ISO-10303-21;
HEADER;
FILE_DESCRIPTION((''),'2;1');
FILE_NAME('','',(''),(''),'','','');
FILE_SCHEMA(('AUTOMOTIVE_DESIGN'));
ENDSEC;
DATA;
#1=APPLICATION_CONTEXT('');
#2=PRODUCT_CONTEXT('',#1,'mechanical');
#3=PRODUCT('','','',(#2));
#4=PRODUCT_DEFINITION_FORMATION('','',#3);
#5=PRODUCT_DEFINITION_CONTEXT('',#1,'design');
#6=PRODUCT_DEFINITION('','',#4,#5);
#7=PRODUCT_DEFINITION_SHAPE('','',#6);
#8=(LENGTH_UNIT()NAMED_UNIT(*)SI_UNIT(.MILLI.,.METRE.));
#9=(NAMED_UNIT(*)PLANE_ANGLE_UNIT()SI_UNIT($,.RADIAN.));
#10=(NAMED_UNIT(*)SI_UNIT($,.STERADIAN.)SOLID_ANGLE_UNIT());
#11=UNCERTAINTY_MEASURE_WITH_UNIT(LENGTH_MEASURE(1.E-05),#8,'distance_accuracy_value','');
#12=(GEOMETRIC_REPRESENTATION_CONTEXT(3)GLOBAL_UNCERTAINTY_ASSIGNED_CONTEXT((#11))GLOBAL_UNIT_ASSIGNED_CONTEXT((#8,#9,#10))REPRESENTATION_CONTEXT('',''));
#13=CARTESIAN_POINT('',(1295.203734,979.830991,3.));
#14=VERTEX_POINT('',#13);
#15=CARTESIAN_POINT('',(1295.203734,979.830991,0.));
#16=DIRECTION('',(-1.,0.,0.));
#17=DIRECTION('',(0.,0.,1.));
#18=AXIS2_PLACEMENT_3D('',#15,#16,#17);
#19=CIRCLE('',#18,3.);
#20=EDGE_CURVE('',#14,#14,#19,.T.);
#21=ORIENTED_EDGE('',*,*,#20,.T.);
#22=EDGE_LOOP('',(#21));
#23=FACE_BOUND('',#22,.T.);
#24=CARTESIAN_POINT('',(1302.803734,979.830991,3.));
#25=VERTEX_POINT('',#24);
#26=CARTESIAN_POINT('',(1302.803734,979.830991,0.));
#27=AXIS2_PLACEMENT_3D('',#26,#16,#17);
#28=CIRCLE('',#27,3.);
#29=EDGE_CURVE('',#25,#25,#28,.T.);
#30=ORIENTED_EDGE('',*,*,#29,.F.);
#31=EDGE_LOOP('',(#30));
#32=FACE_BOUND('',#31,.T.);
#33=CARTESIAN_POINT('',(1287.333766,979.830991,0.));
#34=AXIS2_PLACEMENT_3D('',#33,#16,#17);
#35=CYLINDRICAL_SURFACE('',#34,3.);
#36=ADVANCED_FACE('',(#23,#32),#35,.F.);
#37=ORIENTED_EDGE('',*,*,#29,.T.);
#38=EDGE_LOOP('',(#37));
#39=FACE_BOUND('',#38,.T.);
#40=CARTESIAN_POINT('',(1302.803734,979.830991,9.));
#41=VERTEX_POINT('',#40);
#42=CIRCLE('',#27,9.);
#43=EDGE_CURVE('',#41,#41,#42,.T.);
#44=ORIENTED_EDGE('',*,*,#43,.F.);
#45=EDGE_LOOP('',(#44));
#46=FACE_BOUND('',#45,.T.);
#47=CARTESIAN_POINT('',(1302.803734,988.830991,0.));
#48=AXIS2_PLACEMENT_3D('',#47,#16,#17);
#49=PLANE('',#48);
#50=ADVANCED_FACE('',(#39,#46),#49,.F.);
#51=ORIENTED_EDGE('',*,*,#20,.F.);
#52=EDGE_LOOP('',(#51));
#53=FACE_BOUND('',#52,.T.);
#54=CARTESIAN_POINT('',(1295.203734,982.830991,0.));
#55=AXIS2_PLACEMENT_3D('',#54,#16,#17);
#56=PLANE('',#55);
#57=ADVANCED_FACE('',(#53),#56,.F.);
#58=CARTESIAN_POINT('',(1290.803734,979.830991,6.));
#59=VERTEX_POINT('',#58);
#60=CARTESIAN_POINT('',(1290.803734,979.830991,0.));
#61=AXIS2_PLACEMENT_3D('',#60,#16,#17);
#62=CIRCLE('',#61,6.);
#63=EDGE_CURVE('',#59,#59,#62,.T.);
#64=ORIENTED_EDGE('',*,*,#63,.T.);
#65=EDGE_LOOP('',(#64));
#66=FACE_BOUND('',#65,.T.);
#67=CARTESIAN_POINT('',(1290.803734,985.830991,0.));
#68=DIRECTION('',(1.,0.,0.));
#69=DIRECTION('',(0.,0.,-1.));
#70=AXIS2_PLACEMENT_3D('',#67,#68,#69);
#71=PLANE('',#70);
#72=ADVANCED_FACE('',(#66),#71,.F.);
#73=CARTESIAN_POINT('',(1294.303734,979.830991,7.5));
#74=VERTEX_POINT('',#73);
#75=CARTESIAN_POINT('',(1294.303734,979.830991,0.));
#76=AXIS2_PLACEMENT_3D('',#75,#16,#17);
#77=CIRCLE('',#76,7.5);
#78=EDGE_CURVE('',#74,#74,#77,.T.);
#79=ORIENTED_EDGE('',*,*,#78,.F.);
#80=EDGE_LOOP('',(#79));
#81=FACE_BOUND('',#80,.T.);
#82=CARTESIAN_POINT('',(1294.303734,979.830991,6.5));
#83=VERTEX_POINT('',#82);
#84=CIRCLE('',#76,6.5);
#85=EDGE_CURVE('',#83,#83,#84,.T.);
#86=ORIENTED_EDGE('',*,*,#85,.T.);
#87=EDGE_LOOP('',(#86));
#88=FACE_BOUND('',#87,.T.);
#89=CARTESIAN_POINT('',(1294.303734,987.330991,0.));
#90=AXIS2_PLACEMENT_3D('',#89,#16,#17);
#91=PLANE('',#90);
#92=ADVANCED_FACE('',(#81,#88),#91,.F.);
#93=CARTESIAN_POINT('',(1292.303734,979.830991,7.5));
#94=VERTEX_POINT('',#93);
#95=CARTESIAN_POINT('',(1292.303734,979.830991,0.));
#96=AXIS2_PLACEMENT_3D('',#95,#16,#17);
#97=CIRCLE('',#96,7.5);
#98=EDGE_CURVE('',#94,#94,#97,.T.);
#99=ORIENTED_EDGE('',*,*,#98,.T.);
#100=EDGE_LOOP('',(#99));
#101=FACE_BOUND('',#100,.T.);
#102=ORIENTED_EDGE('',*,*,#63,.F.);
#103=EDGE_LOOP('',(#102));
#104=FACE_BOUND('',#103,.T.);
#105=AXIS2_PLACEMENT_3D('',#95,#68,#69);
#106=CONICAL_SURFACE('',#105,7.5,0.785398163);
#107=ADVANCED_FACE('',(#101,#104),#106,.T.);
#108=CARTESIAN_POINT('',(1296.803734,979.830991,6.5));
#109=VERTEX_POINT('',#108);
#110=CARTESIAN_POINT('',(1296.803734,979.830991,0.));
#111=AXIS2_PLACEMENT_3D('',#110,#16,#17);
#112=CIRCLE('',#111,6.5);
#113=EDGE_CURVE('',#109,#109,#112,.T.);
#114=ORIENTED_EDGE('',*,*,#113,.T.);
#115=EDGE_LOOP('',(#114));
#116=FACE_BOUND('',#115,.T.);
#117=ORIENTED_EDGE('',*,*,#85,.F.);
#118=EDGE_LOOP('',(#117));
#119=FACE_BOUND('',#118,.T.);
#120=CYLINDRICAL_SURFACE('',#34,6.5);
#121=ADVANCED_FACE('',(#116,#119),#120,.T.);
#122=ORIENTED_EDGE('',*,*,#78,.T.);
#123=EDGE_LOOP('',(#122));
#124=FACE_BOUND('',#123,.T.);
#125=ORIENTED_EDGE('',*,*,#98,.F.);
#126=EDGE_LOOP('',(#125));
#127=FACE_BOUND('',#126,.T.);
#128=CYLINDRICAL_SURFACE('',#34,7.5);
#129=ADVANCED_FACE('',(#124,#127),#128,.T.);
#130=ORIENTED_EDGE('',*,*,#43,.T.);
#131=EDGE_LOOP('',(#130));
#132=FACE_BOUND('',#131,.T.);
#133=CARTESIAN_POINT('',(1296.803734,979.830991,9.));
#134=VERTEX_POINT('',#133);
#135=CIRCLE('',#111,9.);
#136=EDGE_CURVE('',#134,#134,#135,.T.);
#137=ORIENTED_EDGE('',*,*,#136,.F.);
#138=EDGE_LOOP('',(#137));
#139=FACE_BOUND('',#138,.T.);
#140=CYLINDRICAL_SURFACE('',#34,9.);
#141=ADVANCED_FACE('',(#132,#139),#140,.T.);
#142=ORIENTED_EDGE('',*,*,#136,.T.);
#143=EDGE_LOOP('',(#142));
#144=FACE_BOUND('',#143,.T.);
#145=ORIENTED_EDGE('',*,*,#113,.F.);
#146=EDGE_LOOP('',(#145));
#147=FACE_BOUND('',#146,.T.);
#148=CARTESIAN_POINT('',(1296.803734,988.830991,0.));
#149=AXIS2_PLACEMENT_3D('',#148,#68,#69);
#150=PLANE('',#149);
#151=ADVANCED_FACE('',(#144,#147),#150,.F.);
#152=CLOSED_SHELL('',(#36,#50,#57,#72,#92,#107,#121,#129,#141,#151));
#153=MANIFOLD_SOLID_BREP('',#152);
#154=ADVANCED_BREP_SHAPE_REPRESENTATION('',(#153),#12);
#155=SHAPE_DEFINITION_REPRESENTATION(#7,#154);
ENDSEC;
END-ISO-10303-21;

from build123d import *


with BuildPart() as part:
    # 草图1 → 旋转1 (revolve)
    with BuildSketch(Plane.XY, mode=Mode.PRIVATE) as revolve_1_sk:
        Polygon((1295.203733545, 982.830990537), (1295.203733545, 979.830990537), (1290.803733545, 979.830990537), (1290.803733545, 985.830990537), (1292.303733545, 987.330990537), (1294.303733545, 987.330990537), (1294.303733545, 986.330990537), (1296.803733545, 986.330990537), (1296.803733545, 988.830990537), (1302.803733545, 988.830990537), (1302.803733545, 982.830990537), align=None)
    revolve(revolve_1_sk.sketch.rotate(Axis((1287.333765972, 979.830990537, 0), (1, 0, 0)), 90), axis=Axis((1287.333765972, 979.830990537, 0), (1, 0, 0)))


solid = part.part
